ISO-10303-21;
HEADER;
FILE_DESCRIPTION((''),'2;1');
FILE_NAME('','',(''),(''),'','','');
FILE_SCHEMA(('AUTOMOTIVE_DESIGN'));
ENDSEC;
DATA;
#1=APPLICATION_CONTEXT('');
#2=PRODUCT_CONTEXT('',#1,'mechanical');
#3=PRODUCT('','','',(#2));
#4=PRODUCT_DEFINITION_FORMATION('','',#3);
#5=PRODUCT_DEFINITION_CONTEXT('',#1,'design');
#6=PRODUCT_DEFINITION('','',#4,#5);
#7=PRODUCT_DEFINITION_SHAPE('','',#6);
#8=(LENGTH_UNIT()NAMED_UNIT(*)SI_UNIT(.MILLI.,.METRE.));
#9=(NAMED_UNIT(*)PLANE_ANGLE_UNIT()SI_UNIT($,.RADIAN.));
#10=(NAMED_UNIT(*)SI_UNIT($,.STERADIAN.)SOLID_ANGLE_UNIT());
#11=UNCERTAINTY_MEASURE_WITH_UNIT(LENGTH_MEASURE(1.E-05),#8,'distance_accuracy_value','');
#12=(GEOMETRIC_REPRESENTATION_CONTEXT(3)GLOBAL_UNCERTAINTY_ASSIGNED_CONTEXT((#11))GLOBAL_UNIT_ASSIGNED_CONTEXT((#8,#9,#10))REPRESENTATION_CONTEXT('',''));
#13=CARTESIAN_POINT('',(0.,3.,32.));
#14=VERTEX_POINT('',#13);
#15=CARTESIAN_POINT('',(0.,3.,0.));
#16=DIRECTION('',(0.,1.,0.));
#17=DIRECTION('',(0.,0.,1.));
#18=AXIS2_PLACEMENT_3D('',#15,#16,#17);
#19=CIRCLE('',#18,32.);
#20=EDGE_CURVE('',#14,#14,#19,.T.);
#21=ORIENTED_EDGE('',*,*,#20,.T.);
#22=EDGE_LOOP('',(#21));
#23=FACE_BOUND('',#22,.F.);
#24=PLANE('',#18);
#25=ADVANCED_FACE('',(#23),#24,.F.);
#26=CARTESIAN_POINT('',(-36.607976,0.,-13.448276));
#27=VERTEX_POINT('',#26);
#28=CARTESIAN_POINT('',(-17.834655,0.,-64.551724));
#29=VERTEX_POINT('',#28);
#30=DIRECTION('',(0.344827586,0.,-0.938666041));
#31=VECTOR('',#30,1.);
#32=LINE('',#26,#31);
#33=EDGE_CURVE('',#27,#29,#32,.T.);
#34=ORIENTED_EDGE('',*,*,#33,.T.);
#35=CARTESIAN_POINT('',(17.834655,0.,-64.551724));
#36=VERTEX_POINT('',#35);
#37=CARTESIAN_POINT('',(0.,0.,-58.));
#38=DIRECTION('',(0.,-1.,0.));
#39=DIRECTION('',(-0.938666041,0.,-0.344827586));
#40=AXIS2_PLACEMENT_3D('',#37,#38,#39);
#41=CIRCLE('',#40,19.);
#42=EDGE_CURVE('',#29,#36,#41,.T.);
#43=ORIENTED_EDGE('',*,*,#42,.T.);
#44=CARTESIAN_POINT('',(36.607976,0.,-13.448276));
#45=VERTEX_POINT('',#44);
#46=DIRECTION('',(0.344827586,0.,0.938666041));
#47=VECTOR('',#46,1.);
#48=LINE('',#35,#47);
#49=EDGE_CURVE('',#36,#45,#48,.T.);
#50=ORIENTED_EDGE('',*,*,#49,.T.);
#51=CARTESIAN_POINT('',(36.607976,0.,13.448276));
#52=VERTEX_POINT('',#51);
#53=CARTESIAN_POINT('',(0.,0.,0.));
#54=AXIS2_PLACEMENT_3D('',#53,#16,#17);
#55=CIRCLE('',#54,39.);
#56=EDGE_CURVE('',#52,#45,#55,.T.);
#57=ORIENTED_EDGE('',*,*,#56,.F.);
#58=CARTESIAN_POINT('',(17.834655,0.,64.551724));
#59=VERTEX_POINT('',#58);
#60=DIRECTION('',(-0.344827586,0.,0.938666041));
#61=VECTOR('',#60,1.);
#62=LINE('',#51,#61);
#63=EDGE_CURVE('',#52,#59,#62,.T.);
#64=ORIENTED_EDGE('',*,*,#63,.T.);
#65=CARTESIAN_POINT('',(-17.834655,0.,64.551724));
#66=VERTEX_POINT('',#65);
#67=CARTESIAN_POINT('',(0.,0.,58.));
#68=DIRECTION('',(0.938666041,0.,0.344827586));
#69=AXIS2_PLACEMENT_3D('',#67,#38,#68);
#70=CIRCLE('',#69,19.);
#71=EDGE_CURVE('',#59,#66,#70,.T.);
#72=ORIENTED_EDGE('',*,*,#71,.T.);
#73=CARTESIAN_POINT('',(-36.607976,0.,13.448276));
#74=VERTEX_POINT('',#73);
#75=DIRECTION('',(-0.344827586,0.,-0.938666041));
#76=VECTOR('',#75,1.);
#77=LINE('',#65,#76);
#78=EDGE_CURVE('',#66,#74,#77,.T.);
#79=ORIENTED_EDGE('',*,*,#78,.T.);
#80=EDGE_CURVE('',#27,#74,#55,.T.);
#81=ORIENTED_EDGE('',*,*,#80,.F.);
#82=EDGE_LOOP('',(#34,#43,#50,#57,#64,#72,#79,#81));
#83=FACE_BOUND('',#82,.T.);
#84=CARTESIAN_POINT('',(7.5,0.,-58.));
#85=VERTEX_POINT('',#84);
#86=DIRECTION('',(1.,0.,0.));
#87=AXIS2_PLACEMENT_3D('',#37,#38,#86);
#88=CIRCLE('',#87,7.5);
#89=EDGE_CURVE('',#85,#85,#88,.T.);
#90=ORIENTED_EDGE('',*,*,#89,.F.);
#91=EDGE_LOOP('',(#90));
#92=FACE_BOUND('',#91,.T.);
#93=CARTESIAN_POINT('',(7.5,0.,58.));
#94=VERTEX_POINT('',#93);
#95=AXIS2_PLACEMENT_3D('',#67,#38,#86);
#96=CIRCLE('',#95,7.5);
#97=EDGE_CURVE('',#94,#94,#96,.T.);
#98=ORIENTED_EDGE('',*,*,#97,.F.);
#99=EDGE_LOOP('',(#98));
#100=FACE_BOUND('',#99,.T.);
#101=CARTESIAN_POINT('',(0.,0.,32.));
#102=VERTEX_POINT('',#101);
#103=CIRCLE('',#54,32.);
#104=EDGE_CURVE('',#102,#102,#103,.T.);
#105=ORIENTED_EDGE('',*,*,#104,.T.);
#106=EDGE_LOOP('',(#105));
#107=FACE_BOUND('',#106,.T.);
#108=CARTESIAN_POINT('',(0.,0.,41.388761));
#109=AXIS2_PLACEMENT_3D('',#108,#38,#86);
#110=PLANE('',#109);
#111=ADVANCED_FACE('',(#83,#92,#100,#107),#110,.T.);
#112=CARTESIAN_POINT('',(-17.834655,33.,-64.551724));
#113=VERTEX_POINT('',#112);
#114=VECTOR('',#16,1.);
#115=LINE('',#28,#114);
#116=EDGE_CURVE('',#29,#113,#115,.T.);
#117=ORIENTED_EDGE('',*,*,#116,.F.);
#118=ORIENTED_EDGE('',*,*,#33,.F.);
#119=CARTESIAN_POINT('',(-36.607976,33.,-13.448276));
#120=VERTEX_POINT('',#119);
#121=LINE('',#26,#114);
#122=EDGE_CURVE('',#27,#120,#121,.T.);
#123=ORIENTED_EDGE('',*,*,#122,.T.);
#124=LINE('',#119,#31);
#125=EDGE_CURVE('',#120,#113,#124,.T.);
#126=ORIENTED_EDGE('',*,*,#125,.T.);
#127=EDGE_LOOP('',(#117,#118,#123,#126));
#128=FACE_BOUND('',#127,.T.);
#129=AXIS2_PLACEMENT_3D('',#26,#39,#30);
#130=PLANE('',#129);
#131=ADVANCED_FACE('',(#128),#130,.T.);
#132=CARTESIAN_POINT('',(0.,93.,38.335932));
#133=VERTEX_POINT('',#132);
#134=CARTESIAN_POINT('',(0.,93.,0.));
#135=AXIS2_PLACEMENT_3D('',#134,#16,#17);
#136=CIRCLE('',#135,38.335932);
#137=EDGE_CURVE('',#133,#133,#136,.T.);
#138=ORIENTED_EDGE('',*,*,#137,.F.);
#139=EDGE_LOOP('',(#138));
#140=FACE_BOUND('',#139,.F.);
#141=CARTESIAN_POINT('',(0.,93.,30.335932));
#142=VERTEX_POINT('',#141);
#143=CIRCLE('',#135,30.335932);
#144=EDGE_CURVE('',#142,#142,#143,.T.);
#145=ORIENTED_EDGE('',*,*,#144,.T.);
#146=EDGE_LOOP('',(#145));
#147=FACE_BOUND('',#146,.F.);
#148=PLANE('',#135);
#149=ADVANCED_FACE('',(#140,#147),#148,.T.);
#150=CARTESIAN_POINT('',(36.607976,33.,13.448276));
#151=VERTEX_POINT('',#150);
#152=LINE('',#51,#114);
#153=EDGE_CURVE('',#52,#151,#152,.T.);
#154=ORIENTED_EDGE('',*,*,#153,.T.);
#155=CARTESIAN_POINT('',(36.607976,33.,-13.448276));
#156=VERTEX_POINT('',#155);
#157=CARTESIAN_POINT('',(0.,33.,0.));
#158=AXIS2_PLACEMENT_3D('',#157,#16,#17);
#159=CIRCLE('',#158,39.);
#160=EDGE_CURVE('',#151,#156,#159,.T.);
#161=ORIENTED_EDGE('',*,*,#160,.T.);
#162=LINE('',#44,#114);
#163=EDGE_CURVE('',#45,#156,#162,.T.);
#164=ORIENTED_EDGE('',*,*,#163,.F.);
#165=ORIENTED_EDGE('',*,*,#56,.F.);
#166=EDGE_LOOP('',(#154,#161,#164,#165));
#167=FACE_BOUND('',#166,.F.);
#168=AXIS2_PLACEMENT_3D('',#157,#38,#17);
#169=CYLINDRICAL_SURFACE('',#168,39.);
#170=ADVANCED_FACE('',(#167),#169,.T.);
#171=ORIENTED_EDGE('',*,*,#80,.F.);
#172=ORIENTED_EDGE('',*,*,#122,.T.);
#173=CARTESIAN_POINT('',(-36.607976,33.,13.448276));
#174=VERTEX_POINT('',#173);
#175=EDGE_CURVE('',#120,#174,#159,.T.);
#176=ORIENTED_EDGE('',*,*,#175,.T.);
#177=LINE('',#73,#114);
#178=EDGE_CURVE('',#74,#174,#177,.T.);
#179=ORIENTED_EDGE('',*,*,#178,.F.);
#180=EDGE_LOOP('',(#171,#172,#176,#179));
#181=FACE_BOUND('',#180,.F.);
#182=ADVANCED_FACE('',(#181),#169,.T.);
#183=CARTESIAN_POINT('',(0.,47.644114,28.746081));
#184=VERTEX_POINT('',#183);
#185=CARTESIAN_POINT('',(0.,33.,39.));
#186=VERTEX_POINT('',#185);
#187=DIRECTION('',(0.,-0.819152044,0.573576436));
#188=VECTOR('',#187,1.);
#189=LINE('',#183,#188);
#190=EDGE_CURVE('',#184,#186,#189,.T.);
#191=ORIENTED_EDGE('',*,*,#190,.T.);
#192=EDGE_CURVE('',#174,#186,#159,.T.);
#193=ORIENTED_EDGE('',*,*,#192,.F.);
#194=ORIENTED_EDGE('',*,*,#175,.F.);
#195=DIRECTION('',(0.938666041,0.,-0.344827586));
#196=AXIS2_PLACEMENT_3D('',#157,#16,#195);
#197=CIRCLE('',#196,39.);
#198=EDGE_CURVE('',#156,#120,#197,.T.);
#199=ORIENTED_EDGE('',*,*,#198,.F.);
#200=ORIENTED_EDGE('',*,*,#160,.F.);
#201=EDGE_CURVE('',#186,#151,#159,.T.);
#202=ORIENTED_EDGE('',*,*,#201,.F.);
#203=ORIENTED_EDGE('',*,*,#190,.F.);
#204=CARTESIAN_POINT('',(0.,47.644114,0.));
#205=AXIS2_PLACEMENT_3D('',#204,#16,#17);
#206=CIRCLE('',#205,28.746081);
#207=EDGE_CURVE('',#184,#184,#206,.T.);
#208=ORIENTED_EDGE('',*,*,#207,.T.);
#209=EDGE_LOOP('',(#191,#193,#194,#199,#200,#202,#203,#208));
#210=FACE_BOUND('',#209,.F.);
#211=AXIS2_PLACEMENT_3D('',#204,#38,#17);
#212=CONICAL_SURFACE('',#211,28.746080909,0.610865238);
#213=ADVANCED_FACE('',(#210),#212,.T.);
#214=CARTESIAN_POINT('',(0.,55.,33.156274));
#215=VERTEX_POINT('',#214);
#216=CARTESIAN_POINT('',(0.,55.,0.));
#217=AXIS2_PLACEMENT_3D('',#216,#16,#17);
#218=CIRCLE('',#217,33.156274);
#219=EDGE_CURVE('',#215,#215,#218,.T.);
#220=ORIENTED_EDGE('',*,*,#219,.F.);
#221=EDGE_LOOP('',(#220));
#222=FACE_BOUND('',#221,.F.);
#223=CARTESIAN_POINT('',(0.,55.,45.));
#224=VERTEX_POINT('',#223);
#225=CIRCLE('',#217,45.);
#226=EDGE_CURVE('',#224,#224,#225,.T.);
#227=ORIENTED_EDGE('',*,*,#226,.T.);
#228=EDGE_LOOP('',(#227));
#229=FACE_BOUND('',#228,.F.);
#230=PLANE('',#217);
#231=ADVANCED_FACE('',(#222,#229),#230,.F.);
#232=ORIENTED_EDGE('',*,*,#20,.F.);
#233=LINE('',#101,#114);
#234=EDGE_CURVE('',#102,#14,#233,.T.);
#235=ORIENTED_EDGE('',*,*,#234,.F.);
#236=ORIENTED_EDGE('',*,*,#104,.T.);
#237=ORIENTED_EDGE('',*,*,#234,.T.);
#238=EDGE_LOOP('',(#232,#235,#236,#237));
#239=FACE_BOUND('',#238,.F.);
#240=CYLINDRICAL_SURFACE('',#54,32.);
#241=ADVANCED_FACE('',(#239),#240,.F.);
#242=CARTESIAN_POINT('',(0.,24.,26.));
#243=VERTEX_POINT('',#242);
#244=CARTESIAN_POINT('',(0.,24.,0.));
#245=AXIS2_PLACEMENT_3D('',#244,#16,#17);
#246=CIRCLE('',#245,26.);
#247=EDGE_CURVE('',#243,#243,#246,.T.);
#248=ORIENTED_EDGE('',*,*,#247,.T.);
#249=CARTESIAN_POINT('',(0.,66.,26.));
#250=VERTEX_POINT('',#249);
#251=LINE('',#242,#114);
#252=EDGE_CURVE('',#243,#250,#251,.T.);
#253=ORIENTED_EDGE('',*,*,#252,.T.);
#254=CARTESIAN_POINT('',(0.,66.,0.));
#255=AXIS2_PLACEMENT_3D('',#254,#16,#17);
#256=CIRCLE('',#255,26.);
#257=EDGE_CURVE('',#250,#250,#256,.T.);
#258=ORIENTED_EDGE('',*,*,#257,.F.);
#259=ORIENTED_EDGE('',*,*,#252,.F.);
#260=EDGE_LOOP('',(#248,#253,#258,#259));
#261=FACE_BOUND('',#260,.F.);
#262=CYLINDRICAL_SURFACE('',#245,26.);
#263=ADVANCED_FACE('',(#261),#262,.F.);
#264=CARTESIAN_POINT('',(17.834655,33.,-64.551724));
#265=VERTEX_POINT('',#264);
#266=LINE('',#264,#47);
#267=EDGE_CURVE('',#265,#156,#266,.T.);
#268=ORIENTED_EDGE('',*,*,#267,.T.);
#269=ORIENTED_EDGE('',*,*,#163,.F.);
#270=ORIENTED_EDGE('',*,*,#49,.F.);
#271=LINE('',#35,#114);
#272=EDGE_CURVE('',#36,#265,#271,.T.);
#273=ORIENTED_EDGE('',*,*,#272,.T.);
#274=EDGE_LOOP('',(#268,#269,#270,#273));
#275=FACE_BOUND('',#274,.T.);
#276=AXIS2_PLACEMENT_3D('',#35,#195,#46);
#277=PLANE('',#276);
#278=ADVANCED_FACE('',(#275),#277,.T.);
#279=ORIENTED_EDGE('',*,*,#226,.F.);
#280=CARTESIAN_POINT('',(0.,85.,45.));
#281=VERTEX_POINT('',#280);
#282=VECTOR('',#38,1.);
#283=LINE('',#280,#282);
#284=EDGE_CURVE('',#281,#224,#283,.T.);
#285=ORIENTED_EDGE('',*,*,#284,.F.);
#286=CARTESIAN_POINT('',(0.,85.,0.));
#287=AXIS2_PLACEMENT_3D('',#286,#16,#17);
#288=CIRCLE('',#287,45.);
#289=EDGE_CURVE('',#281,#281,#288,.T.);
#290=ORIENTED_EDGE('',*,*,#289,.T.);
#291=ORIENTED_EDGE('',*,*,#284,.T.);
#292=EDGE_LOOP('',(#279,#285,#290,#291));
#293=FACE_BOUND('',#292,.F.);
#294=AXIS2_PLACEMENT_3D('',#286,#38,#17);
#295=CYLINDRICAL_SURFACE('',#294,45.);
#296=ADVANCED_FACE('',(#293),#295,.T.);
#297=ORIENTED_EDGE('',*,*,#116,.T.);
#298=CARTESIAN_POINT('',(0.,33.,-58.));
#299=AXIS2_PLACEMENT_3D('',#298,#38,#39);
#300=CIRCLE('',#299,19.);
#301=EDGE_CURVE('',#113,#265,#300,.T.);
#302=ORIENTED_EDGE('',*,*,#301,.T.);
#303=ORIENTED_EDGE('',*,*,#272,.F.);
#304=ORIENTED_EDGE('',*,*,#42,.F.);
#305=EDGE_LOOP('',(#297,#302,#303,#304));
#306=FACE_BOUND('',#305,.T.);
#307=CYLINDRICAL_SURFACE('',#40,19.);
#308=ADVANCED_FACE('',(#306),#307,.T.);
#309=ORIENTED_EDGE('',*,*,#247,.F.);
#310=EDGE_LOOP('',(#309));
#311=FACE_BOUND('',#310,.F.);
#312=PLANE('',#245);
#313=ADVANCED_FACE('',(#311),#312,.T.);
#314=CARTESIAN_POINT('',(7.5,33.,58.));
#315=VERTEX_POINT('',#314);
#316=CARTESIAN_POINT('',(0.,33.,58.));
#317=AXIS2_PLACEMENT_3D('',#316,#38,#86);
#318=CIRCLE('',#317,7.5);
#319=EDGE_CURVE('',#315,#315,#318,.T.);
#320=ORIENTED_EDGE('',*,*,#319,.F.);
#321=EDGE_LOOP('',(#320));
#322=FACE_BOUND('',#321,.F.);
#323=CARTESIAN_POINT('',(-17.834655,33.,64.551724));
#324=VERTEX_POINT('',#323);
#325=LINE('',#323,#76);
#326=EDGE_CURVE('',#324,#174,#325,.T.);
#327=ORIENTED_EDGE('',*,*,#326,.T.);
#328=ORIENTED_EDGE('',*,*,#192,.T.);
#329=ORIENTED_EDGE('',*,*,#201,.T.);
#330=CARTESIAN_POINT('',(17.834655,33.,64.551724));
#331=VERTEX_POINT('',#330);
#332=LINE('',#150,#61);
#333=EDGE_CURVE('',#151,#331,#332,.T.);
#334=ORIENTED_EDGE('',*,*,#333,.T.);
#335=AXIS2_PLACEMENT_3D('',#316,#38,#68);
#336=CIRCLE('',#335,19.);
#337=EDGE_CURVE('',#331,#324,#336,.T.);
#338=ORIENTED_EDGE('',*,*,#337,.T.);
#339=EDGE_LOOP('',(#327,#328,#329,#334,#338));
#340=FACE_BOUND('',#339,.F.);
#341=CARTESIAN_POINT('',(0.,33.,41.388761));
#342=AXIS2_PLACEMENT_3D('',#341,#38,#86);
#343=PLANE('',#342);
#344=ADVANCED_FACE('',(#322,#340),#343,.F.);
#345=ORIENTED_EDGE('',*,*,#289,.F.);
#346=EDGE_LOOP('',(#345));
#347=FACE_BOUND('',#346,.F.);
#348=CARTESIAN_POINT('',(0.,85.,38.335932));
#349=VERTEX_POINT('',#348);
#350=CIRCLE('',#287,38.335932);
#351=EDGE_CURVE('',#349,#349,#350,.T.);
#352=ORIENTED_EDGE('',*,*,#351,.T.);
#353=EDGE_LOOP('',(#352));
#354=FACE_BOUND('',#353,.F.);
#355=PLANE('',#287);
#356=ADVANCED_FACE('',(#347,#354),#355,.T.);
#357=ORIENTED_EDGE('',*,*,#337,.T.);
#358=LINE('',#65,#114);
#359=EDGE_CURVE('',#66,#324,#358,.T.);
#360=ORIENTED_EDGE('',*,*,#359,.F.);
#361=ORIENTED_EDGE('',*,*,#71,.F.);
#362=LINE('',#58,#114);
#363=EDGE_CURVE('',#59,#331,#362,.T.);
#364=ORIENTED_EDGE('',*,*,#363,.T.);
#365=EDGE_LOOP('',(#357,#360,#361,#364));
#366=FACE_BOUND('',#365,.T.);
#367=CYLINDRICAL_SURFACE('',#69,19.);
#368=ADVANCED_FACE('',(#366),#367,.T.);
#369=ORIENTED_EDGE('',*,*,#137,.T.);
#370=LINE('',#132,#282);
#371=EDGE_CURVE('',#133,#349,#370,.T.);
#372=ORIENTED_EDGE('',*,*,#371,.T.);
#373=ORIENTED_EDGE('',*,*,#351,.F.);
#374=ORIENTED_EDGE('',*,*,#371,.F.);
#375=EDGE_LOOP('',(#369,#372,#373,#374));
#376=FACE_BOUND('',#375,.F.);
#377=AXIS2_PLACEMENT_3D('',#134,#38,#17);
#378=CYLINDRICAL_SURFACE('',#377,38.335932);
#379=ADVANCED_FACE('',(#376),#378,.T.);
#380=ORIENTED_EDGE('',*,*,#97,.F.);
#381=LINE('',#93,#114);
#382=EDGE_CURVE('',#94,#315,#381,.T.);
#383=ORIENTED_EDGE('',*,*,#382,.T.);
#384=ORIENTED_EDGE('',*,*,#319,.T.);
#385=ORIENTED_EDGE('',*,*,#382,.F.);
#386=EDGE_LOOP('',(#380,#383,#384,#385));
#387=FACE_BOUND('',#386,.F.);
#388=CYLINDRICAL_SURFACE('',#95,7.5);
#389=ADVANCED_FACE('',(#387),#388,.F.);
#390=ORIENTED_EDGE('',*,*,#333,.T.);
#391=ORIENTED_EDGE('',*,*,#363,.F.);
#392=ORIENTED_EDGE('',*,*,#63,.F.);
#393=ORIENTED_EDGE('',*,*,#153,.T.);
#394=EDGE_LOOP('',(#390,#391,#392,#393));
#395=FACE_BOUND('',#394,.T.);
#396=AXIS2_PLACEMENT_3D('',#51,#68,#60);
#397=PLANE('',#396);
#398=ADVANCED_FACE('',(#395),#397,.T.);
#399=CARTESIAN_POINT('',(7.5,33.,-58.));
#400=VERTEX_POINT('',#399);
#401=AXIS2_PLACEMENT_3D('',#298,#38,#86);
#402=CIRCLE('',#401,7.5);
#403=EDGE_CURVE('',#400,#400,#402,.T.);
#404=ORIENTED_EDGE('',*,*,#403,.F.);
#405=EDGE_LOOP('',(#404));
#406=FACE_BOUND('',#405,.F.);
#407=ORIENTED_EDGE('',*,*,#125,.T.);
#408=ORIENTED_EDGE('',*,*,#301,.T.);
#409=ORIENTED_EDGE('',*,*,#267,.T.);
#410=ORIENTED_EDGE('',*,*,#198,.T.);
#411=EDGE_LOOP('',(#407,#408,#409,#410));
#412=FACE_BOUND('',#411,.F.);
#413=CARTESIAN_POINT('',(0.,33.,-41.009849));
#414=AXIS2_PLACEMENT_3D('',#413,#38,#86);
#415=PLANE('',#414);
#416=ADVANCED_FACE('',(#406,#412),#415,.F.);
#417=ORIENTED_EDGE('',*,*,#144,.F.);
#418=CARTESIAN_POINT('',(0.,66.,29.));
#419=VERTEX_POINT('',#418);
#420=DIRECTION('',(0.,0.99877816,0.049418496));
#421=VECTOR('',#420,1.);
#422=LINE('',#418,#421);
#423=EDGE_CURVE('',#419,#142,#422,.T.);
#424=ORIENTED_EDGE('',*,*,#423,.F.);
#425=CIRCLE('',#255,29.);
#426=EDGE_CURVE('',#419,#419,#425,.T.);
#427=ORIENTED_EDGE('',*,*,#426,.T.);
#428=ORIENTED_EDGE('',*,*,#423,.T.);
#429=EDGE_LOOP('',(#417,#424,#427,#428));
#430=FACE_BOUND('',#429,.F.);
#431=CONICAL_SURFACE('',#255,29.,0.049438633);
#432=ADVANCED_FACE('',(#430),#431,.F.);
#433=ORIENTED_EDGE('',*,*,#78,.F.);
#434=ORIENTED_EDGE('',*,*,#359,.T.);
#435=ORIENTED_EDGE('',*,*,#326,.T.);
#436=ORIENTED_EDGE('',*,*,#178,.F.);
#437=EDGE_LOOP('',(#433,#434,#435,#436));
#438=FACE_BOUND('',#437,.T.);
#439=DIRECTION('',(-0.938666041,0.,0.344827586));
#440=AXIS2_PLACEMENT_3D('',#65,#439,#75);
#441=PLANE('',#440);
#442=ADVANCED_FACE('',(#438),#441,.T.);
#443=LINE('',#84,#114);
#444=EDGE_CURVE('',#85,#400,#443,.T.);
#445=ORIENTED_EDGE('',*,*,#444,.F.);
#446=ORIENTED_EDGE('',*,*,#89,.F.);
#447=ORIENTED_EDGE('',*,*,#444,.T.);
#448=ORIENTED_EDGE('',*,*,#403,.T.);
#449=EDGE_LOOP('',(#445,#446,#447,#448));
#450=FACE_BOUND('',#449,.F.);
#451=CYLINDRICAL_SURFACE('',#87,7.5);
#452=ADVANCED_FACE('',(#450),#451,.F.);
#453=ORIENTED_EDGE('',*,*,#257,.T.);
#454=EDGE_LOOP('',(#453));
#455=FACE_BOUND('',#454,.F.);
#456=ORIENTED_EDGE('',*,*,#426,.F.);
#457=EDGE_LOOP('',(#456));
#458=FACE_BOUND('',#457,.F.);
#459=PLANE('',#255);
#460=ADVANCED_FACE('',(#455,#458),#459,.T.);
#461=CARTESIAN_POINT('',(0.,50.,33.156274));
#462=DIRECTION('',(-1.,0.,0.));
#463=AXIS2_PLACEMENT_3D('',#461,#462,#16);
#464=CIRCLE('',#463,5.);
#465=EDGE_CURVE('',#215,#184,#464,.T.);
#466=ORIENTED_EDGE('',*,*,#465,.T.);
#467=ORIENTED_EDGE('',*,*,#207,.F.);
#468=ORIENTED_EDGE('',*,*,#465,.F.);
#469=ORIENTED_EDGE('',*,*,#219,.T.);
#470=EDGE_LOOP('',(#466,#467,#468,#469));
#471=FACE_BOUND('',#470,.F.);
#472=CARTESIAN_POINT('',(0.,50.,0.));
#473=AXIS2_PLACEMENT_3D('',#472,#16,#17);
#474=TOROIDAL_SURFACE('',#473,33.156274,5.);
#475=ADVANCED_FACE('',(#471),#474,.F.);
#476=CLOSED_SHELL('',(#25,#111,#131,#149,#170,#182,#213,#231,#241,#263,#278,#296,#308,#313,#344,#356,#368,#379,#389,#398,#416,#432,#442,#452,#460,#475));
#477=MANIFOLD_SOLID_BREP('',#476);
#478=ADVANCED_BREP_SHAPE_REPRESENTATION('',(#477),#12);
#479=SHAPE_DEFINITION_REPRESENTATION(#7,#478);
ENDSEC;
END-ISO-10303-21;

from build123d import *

# Parameters (mm, degrees)
F2_R     = 7.5
F3_DEPTH = 33


with BuildPart() as f1:
    # F0 (on Right) → F1 (revolve)
    with BuildSketch(Plane.YZ):
        with BuildLine():
            Line((3, 32), (3, 0))
            Line((3, 0), (24, 0))
            Line((24, 0), (24, 26))
            Line((24, 26), (66, 26))
            Line((66, 26), (66, 29))
            Line((66, 29), (93, 30.3359316767))
            Line((93, 30.3359316767), (93, 38.3359316767))
            Line((93, 38.3359316767), (85, 38.3359316767))
            Line((85, 38.3359316767), (85, 45))
            Line((85, 45), (55, 45))
            Line((55, 45), (55, 38.3359316767))
            Line((55, 38.3359316767), (55, 33.1562738389))
            ThreePointArc((55, 33.1562738389), (52.5710475058, 28.8679507724), (47.6441141108, 28.7460809092))
            Line((47.6441141108, 28.7460809092), (33, 39))
            Line((33, 39), (0, 39))
            Line((0, 39), (0, 32))
            Line((0, 32), (3, 32))
        make_face()
    revolve(axis=Axis((0, 13.5, 0), (0, 1, 0)))

    # F2 (on face) → F3 (join)
    with BuildSketch(Plane.XZ):
        with BuildLine():
            Line((36.6079755837, 13.4482758621), (17.8346547716, 64.5517241379))
            ThreePointArc((17.8346547716, 64.5517241379), (0, 77), (-17.8346547716, 64.5517241379))
            Line((-17.8346547716, 64.5517241379), (-36.6079755837, 13.4482758621))
            ThreePointArc((-36.6079755837, 13.4482758621), (-22.3217073874, 31.980328005), (0, 39))
            ThreePointArc((0, 39), (22.3217073874, 31.980328005), (36.6079755837, 13.4482758621))
        make_face()
        with Locations((0, 58)):
            Circle(F2_R, mode=Mode.SUBTRACT)
        with BuildLine():
            ThreePointArc((36.6079755837, -13.4482758621), (0, -39), (-36.6079755837, -13.4482758621))
            Line((-36.6079755837, -13.4482758621), (-17.8346547716, -64.5517241379))
            ThreePointArc((-17.8346547716, -64.5517241379), (0, -77), (17.8346547716, -64.5517241379))
            Line((17.8346547716, -64.5517241379), (36.6079755837, -13.4482758621))
        make_face()
        with Locations((0, -58)):
            Circle(F2_R, mode=Mode.SUBTRACT)
    extrude(amount=-F3_DEPTH)


solid = f1.part
